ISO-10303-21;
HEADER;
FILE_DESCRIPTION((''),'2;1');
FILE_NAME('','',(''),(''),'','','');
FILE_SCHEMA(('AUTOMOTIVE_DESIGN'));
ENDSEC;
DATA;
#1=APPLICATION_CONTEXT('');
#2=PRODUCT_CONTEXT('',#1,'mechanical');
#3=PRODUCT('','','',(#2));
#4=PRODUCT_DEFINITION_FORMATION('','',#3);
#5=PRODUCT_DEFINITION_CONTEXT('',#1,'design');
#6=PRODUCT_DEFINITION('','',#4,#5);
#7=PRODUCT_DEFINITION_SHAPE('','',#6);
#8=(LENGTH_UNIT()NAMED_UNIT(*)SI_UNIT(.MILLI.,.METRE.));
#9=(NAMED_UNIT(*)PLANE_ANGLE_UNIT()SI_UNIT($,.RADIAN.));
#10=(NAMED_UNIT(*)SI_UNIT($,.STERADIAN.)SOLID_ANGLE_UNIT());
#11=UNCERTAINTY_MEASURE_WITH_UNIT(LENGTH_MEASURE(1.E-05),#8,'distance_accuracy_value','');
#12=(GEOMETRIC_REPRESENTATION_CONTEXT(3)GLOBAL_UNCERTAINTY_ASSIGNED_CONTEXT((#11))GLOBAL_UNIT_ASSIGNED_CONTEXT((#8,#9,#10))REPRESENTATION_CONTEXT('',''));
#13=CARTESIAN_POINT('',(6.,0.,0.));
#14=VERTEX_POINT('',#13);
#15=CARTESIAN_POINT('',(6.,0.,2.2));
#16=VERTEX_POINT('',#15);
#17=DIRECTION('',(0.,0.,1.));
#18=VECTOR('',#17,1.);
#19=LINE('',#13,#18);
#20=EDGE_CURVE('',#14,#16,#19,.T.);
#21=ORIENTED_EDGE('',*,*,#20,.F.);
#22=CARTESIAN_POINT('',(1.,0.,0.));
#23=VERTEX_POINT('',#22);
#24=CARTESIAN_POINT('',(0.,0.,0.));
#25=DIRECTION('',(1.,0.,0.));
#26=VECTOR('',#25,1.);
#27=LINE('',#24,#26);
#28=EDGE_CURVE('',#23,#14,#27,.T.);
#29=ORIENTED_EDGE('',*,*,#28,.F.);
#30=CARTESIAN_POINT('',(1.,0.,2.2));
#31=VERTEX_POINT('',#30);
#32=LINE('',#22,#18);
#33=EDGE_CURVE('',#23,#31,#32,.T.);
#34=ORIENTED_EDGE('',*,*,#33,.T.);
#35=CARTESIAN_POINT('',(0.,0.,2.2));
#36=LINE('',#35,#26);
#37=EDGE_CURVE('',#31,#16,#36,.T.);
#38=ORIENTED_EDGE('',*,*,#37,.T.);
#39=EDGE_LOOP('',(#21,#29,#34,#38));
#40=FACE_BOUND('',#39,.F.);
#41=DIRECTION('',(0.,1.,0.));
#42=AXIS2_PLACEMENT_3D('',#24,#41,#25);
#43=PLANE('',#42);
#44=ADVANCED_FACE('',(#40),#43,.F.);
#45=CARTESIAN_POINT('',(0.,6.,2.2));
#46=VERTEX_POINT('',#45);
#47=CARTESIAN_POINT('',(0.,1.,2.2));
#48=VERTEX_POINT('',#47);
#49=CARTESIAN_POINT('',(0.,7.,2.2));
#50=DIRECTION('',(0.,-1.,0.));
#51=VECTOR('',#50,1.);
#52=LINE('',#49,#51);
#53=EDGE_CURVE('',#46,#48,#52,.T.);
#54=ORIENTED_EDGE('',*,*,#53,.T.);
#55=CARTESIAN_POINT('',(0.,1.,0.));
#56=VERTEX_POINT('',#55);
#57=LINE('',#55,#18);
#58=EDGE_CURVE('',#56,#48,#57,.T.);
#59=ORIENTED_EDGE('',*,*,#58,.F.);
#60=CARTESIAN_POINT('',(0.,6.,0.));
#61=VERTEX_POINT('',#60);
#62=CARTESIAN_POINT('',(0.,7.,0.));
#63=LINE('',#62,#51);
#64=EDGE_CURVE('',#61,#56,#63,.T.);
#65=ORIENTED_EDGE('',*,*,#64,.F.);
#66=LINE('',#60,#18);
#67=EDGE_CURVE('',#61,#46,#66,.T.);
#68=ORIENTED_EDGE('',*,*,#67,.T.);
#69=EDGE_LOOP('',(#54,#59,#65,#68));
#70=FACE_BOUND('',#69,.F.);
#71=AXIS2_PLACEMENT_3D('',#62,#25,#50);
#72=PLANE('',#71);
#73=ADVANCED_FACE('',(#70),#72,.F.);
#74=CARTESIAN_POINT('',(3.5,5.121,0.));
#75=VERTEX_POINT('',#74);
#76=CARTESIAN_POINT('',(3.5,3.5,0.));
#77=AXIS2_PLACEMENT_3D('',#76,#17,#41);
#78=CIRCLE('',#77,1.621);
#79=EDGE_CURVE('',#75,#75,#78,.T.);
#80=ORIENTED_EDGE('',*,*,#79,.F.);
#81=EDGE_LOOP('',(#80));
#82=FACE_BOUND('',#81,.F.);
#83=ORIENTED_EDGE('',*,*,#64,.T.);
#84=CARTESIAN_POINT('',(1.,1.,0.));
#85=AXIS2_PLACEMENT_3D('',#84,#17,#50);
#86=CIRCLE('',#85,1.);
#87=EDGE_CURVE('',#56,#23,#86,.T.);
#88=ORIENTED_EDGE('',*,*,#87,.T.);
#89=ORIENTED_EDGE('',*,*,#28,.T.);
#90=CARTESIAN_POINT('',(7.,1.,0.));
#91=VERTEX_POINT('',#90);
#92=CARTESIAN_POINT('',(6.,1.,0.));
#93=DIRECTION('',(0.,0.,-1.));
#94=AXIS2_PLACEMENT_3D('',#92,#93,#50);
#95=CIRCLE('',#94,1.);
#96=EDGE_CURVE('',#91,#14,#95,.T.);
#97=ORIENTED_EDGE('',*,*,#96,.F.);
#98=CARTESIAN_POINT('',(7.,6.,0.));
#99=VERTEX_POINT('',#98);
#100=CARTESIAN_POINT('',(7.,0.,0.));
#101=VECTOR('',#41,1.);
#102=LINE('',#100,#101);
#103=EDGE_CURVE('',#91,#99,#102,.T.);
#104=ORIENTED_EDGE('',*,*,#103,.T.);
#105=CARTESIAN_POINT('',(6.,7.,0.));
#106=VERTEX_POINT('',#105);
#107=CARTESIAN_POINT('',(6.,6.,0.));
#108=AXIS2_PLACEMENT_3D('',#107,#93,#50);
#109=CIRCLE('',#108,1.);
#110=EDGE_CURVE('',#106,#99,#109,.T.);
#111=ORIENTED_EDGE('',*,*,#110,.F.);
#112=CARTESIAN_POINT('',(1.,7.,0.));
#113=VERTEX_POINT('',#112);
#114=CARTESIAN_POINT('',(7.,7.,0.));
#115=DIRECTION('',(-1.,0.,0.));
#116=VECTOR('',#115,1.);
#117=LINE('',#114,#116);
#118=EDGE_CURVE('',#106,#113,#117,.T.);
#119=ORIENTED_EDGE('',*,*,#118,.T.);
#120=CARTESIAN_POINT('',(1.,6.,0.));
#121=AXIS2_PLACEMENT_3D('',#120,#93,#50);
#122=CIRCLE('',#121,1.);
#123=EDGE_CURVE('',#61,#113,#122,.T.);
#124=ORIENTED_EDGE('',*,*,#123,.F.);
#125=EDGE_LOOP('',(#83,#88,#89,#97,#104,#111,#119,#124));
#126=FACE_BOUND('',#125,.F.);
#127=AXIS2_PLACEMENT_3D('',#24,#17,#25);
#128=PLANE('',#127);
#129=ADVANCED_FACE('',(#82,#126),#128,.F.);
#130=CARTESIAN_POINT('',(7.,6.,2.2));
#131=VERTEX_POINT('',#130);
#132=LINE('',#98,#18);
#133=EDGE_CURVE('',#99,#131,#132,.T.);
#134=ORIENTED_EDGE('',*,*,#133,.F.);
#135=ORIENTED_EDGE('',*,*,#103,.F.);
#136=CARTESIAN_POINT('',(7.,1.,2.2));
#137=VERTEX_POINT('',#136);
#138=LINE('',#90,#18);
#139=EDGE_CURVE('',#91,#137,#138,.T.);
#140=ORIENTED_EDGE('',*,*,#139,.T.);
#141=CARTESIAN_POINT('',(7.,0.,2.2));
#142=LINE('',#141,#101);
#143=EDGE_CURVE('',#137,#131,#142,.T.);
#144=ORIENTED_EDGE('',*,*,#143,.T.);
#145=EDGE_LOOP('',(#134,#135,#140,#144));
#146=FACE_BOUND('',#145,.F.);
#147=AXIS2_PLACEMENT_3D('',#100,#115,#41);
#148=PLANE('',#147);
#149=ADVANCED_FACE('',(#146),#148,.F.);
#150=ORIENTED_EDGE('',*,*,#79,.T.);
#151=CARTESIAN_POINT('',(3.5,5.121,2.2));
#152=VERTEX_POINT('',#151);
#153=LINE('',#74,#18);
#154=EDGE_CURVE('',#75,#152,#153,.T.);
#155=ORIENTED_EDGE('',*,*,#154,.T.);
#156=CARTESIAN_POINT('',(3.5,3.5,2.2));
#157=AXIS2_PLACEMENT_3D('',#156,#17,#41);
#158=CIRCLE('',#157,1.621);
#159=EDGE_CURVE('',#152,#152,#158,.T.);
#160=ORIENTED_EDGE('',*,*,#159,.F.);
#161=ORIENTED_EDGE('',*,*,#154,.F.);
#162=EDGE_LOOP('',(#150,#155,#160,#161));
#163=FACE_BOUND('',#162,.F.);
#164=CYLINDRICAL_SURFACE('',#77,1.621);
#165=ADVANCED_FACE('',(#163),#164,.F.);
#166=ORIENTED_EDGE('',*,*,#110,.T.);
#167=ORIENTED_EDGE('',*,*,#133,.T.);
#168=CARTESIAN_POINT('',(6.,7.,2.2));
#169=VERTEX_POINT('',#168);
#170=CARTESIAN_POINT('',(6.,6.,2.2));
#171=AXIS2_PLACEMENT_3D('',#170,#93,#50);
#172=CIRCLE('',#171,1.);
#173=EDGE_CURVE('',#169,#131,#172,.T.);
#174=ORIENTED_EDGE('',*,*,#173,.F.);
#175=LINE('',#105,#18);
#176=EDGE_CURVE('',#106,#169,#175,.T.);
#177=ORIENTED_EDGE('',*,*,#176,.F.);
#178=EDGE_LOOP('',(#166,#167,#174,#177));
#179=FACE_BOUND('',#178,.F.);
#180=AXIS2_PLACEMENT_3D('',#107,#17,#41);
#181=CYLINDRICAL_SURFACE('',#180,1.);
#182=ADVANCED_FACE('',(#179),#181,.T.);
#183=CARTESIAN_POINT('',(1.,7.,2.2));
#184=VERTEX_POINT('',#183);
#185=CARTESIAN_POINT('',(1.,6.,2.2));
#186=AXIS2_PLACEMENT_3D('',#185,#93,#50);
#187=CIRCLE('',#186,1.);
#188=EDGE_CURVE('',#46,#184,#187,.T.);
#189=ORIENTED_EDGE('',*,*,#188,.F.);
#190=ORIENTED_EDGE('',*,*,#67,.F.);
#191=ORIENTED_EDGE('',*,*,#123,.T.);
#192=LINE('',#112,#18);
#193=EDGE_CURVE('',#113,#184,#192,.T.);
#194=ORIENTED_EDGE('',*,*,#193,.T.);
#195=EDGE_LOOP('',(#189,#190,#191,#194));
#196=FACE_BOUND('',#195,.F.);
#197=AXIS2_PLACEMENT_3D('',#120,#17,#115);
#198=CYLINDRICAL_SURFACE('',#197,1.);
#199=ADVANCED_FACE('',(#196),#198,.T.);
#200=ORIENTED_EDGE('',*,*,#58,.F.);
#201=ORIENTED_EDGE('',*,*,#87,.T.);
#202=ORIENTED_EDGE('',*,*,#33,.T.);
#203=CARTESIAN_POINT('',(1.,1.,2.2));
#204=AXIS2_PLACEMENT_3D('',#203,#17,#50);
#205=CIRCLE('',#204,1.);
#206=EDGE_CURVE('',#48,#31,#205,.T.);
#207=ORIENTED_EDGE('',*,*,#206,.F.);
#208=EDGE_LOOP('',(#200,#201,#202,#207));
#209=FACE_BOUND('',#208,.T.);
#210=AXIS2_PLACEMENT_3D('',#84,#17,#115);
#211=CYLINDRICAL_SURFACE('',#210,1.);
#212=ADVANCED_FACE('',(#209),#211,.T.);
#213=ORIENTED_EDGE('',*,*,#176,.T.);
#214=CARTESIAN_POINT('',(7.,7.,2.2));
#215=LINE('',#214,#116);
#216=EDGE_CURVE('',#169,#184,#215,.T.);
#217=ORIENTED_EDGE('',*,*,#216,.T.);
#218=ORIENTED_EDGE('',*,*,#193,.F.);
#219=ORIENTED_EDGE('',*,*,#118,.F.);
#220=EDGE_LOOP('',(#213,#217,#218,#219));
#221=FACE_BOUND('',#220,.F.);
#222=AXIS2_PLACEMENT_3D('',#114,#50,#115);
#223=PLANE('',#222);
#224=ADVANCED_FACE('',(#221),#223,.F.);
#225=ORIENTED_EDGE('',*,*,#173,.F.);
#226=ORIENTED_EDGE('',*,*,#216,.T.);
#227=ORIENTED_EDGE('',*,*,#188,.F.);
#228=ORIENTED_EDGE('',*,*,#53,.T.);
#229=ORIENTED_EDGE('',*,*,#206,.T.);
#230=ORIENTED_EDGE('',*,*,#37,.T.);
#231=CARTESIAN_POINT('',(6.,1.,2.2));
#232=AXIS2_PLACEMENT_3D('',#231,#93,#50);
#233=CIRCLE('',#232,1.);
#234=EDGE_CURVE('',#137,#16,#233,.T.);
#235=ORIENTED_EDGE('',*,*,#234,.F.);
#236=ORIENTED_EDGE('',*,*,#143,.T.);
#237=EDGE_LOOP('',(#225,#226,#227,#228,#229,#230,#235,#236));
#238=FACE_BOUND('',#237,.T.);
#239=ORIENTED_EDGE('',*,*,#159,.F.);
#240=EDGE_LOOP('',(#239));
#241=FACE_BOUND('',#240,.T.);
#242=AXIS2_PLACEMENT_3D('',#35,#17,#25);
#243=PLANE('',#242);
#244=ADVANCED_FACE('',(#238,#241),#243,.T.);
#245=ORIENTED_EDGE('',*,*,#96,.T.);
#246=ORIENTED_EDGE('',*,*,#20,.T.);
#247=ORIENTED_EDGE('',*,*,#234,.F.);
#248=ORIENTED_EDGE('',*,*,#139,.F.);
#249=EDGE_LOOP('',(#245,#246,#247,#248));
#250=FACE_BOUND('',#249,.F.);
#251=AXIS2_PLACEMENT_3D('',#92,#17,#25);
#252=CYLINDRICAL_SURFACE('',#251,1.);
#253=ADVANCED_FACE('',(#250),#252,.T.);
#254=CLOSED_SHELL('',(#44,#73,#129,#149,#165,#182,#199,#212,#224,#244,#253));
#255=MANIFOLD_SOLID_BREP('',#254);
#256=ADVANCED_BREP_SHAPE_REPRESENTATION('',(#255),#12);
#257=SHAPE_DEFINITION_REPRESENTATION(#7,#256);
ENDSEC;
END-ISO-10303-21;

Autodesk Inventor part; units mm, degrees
ref_plane "YZ Plane" through (0, 0, 0) normal (1, 0, 0) x (0, 1, 0)
ref_plane "XZ Plane" through (0, 0, 0) normal (0, 1, 0) x (-1, 0, 0)
ref_plane "XY Plane" through (0, 0, 0) normal (0, 0, 1) x (1, 0, 0)
sketch "Skizze3" plane through (0, 0, 0) normal (0, 0, 1) x (1, 0, 0)
  line L0 (0, 0) -> (7, 0)
  line L1 (7, 0) -> (7, 7)
  line L2 (7, 7) -> (0, 7)
  line L3 (0, 7) -> (0, 0)
  point P0 (3.5, 3.5)
  point P1 (3.5, 7)
  point P2 (0, 3.5)
  dimension "d4" = 7
  dimension "d5" = 7
extrude "Extrusion3" add sketch "Skizze3" along normal blind 2.2
fillet "Rundung1" radius 1 4 edges at (7, 7, 1.1) (0, 7, 1.1) (0, 0, 1.1) (7, 0, 1.1)
hole "Bohrung1" at (3.5, 3.5, 0) direction (0, 0, 1) diameter 3.242 depth 11.8 thread size "M4x0.7" class "6H" standard "ISO Metric profile"
equation "\"d5\" = d4"
properties part number "BT004_trajan20_22"
